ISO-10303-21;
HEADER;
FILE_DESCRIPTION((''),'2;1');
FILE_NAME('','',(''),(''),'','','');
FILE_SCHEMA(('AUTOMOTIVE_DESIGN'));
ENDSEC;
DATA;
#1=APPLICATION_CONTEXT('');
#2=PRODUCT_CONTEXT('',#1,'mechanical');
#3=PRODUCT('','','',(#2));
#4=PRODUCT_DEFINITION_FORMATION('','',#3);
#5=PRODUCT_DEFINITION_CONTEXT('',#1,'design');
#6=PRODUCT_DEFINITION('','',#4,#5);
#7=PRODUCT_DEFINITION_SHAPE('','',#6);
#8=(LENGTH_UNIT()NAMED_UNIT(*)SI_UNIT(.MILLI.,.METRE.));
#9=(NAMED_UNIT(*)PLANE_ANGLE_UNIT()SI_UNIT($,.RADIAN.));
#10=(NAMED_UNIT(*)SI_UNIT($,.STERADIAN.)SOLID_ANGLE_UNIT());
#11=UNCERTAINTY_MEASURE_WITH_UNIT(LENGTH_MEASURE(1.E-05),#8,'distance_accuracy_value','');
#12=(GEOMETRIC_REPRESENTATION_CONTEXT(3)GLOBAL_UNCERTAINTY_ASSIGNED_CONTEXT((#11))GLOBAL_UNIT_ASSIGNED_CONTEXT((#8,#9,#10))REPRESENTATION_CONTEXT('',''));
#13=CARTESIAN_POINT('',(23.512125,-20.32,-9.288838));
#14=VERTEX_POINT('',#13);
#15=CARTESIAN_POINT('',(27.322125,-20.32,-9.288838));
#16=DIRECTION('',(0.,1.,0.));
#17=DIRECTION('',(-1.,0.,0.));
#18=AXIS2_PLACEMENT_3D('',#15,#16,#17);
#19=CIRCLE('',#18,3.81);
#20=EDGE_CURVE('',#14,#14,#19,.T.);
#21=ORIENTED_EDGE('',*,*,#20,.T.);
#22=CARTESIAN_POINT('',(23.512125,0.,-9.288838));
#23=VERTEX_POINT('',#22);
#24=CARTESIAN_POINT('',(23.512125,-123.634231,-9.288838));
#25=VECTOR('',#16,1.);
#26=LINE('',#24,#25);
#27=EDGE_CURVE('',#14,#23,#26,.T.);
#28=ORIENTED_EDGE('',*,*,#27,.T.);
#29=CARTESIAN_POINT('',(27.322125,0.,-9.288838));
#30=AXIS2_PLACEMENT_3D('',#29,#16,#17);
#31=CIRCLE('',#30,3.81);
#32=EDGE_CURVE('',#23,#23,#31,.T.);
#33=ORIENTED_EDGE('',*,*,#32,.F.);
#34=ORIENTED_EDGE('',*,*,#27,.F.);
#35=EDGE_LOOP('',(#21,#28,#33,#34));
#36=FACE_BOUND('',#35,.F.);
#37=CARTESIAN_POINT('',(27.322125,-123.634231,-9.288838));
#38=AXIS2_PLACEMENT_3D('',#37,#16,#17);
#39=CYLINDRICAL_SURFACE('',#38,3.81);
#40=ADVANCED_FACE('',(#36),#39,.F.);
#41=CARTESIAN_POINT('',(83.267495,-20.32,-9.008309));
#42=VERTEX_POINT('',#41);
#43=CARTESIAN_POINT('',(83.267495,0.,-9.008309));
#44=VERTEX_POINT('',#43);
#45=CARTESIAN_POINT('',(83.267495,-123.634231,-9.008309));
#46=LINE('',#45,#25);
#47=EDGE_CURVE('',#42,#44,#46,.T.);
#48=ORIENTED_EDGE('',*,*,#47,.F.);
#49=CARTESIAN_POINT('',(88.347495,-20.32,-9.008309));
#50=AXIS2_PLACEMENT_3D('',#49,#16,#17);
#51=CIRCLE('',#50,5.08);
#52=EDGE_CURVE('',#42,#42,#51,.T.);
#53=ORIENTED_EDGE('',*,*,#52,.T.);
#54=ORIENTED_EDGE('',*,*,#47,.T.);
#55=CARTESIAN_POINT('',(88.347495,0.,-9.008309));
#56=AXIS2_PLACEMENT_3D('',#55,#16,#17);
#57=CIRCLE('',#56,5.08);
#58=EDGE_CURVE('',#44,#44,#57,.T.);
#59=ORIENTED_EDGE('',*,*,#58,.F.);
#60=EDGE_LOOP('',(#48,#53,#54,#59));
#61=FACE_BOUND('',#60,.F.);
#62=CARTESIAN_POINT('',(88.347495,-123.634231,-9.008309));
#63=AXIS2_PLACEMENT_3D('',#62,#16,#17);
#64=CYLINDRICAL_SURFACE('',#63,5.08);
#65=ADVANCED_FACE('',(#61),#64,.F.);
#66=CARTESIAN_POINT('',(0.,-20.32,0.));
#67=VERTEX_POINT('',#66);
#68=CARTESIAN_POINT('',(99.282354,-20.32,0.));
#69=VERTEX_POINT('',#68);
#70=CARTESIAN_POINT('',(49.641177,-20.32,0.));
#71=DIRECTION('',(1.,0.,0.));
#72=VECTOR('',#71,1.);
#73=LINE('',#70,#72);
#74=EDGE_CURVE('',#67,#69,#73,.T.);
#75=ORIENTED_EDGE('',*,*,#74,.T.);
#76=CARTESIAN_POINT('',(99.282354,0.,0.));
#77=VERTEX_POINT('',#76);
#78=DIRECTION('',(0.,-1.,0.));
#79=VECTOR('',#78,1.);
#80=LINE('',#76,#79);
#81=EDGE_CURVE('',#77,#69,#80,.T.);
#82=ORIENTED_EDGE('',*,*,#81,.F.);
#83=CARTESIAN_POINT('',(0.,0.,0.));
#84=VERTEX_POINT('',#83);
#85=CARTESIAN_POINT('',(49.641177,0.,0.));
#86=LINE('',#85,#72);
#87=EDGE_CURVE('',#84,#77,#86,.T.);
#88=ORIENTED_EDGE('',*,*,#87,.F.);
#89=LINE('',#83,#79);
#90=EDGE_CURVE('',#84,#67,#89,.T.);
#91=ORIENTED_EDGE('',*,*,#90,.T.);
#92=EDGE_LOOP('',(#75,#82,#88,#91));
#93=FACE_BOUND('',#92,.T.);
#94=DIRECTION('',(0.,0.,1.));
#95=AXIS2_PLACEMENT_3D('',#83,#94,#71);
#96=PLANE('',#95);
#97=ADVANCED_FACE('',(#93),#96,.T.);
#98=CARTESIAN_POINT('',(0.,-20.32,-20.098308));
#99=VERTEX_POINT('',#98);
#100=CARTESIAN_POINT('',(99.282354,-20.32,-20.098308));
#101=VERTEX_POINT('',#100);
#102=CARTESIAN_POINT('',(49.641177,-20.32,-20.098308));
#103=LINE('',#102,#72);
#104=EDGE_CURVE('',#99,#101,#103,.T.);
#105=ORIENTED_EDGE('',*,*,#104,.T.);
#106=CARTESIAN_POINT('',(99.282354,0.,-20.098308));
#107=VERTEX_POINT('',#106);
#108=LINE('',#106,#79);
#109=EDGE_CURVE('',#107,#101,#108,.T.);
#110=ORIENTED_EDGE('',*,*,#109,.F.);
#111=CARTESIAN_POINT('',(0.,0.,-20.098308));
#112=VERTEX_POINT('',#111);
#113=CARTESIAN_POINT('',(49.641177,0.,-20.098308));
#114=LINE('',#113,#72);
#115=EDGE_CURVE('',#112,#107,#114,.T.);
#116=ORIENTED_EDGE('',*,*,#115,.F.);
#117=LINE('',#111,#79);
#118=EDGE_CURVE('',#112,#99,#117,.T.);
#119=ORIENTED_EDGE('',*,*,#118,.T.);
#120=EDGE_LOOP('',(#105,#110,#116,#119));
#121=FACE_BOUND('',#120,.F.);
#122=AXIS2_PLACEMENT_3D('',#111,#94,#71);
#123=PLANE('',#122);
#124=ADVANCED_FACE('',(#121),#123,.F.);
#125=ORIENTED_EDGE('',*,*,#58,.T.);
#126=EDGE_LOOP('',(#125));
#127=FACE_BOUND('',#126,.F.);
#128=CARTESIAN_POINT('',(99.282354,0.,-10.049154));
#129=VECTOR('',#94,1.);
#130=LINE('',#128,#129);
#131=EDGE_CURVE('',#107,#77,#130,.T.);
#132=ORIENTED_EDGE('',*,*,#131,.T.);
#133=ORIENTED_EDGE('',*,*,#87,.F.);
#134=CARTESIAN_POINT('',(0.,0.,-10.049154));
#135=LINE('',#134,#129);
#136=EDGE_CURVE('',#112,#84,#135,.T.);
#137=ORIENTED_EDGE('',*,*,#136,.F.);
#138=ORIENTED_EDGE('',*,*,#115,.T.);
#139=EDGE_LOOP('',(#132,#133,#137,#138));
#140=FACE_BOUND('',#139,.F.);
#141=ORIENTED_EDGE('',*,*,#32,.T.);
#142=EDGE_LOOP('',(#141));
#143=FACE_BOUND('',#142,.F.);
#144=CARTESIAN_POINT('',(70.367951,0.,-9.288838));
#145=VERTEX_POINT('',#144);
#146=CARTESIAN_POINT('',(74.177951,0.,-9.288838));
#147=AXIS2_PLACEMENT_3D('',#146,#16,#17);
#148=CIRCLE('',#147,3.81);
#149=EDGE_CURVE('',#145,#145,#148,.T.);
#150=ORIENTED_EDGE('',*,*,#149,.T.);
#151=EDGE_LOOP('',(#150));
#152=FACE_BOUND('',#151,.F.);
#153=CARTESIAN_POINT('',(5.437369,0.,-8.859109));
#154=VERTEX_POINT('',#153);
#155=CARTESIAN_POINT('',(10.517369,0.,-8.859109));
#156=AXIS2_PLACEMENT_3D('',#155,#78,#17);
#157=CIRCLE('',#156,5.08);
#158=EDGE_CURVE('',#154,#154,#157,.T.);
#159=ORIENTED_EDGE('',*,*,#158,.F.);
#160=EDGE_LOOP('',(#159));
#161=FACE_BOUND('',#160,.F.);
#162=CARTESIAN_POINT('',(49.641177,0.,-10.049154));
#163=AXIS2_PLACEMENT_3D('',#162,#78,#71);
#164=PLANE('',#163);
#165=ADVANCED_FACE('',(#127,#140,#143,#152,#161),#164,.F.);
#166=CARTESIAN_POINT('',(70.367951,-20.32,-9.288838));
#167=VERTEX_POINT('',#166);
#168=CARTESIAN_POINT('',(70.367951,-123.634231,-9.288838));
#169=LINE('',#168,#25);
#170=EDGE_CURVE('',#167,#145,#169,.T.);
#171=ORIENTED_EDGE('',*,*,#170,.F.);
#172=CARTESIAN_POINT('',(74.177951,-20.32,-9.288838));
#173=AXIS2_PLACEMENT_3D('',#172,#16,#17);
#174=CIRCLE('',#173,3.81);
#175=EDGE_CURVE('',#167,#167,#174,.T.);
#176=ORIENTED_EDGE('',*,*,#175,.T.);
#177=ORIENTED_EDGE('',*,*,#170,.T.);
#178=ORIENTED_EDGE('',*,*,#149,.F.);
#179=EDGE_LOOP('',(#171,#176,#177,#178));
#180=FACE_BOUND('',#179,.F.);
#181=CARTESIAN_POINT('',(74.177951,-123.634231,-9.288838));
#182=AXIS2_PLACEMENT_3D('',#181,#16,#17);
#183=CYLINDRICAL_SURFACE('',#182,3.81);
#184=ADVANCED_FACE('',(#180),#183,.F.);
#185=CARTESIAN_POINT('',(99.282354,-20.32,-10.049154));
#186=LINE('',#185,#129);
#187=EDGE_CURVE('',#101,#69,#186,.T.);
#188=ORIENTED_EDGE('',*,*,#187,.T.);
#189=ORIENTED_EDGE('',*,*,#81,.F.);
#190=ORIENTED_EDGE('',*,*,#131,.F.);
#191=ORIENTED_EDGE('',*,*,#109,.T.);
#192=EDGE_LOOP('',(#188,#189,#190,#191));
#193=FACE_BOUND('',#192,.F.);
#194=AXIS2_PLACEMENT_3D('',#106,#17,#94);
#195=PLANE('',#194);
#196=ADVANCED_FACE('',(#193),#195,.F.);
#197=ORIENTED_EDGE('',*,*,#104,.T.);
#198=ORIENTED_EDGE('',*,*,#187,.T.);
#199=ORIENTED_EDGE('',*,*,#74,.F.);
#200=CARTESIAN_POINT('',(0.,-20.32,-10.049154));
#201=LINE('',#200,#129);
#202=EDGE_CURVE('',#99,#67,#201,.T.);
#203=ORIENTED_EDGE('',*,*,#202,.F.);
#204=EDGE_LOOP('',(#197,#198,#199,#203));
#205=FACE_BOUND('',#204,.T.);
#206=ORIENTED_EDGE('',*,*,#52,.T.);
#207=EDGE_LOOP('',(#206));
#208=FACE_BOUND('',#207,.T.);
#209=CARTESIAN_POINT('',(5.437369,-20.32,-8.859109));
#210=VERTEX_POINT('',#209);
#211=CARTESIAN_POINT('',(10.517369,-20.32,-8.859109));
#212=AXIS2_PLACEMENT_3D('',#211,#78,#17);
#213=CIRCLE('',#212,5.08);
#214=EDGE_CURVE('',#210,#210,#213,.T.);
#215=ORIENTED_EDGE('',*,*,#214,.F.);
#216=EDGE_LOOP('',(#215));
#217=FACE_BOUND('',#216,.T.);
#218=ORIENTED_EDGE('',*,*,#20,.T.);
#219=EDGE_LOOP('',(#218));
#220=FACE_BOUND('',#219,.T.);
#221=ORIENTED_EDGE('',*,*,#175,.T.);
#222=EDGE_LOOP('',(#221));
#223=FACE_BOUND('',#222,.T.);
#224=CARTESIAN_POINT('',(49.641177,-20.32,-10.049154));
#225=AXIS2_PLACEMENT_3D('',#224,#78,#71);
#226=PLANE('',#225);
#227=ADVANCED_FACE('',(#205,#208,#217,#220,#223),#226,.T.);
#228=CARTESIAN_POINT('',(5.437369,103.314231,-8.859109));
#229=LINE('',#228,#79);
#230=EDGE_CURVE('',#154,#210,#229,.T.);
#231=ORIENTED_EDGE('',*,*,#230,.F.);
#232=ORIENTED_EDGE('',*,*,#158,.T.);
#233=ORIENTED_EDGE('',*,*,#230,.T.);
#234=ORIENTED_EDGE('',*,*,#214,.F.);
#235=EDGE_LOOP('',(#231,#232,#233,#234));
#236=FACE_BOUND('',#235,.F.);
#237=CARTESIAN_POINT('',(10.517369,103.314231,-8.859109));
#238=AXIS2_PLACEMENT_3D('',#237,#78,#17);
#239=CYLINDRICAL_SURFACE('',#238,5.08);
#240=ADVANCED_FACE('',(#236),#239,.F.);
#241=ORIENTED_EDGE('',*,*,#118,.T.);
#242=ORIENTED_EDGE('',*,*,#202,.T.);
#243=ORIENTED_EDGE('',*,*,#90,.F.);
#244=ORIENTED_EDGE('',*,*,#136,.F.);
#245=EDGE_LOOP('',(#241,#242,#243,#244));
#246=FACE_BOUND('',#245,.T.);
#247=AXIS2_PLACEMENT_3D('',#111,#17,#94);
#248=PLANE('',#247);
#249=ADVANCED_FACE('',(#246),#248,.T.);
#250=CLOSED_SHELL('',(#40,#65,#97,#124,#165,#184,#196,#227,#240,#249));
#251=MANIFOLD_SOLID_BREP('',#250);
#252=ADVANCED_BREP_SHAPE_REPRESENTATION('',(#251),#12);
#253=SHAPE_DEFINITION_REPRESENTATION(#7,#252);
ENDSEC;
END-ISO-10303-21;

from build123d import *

# Parameters (mm, degrees)
F0_W     = 99.2823541164
F0_H     = 20.0983081013
F1_DEPTH = 20.32
F3_D     = 10.16
F5_D     = 10.16
F7_D     = 7.62


with BuildPart() as f1:
    # F0 (on Front) → F1 (new body)
    with BuildSketch(Plane.XZ):
        with Locations((49.6411770582, -10.0491540506)):
            Rectangle(F0_W, F0_H)
    extrude(amount=F1_DEPTH)

    # F3 (through all)
    with Locations(Plane(origin=(0, 0, 0), x_dir=(1, 0, 0), z_dir=(0, 1, 0))):
        with Locations((10.5173690245, 8.8591091335)):
            Hole(F3_D / 2)

    # F5 (through all)
    with Locations(Plane.XZ.offset(20.32)):
        with Locations((88.3474946022, -9.0083088726)):
            Hole(F5_D / 2)

    # F7 (through all)
    with Locations(Plane.XZ.offset(20.32)):
        with Locations((27.3221246898, -9.2888381332), (74.1779506207, -9.2888381332)):
            Hole(F7_D / 2)


solid = f1.part
